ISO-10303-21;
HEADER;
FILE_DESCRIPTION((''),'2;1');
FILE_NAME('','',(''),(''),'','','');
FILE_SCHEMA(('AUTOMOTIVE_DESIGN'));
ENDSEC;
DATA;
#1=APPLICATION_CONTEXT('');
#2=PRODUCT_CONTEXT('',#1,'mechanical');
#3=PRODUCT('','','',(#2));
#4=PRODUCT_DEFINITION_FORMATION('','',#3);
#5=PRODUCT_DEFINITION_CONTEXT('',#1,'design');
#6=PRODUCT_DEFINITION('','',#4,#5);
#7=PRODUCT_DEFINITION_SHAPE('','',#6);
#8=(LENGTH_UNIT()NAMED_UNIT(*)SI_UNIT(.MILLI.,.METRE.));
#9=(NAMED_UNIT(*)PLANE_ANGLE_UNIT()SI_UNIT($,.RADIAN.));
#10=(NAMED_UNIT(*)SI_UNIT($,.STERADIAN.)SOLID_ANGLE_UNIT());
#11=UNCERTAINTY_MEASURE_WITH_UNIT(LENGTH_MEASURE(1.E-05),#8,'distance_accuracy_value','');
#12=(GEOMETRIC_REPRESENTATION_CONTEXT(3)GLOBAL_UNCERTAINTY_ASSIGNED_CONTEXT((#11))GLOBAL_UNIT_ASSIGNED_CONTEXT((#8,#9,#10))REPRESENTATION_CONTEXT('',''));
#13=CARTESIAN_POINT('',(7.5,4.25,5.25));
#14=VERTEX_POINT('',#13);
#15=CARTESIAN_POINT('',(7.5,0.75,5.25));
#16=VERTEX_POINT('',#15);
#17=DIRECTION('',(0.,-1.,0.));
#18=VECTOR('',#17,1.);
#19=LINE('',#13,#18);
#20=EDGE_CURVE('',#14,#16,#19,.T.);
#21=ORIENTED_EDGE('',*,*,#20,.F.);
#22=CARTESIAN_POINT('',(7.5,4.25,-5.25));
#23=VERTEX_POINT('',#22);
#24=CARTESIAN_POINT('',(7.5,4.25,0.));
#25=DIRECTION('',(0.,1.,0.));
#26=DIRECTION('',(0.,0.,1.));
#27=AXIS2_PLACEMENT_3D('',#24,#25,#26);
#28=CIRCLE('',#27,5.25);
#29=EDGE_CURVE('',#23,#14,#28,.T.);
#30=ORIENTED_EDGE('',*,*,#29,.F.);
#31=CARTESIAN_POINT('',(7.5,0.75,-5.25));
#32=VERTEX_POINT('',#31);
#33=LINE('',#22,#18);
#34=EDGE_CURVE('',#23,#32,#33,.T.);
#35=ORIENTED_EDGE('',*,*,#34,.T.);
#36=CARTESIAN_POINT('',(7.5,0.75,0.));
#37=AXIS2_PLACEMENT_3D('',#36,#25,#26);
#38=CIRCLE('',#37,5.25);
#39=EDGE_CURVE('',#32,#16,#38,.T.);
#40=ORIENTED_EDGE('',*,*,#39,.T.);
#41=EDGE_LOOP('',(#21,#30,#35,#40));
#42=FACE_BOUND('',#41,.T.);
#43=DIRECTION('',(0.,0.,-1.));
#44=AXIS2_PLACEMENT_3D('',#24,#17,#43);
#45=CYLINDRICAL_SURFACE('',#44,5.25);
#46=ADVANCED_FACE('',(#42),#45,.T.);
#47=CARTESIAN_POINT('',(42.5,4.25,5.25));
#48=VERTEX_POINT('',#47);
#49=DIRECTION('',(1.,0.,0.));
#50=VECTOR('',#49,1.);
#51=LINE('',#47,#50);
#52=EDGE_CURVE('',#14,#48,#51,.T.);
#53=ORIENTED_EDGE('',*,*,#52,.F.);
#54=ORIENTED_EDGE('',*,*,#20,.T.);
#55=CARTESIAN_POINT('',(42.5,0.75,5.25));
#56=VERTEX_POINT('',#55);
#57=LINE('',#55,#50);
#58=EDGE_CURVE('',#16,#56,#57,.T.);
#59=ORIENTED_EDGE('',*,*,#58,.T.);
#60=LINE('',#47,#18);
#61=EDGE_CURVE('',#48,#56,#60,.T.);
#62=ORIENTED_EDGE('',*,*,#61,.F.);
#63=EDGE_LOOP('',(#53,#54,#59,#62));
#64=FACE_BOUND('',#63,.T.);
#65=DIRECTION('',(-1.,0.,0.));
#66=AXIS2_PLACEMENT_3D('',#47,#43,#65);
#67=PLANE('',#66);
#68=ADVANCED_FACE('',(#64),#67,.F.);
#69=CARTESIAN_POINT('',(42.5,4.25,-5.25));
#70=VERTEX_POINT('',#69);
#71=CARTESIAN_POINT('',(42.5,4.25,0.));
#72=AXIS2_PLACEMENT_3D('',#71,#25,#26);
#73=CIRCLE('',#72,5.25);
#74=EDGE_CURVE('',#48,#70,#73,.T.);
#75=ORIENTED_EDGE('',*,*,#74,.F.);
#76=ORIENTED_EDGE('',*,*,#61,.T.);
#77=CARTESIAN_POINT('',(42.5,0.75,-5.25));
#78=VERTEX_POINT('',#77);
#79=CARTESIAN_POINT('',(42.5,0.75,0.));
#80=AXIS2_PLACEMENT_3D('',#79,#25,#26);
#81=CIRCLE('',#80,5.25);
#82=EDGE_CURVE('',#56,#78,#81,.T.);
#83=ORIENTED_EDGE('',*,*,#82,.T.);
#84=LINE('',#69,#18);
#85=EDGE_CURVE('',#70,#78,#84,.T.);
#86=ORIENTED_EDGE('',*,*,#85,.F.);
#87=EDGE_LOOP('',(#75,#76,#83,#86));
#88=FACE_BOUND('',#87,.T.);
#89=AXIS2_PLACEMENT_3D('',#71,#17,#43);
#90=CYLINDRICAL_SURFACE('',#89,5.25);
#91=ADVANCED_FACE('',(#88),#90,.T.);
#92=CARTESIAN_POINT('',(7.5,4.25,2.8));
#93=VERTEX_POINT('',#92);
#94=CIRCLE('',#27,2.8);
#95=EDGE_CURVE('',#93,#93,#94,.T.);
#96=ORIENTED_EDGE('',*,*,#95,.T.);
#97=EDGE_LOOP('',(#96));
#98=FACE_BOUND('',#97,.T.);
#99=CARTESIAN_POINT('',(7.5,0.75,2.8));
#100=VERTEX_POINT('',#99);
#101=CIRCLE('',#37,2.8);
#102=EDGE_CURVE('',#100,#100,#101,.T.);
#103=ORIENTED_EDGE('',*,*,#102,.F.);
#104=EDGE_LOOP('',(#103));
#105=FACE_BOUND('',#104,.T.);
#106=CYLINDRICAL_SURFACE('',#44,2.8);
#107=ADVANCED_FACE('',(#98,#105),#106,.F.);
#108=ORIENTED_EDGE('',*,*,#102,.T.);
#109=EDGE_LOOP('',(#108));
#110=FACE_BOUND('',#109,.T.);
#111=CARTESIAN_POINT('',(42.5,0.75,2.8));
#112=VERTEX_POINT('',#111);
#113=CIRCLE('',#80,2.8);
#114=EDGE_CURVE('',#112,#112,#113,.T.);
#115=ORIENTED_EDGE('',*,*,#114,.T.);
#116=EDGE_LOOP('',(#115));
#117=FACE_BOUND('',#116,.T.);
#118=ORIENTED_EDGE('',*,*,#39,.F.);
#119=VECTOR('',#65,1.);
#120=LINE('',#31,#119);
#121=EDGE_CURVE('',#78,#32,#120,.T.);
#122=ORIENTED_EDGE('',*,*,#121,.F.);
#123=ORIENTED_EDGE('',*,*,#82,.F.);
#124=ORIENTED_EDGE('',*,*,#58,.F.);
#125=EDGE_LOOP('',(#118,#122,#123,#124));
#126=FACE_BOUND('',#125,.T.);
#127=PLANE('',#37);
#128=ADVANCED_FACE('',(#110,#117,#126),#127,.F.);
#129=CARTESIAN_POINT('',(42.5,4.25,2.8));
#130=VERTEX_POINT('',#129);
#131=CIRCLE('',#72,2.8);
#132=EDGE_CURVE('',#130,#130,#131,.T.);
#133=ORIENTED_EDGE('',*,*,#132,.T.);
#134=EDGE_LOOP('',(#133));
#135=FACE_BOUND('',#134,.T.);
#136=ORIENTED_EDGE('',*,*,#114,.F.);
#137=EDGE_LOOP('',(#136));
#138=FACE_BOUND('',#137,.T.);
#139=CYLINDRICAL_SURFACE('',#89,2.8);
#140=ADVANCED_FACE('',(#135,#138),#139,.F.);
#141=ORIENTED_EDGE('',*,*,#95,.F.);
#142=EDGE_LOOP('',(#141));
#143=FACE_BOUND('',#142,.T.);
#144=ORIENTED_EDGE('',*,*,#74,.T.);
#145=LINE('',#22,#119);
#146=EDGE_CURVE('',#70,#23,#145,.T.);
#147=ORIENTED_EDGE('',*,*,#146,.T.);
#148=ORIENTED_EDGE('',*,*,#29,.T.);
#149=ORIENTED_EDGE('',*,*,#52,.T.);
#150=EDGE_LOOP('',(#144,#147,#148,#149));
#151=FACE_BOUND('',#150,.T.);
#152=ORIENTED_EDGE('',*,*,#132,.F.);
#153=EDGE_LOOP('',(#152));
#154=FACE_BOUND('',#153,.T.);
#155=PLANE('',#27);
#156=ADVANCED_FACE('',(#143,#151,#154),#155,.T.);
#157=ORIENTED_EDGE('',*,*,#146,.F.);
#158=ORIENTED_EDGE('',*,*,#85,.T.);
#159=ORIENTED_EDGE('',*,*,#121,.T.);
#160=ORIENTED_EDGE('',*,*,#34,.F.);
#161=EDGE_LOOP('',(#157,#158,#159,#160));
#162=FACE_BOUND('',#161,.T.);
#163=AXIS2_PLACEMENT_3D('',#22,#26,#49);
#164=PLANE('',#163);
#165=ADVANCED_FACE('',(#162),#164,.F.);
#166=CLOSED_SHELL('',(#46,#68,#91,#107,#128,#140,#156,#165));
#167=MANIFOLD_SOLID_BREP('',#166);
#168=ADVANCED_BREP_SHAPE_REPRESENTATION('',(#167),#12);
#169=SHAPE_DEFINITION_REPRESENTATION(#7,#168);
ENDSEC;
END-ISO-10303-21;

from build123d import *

# Parameters (mm, degrees)
SKETCH1_R           = 4
BOSS_EXTRUDE1_DEPTH = 5
SCALE1_SCALE        = 0.7


with BuildPart() as part:
    # Sketch1 → Boss-Extrude1 (new body)
    with BuildSketch(Plane(origin=(0, 0, 0), x_dir=(1, 0, 0), z_dir=(0, 1, 0))):
        with BuildLine():
            Line((0, 7.5), (50, 7.5))
            ThreePointArc((50, 7.5), (57.5, 0), (50, -7.5))
            Line((50, -7.5), (0, -7.5))
            ThreePointArc((0, -7.5), (-7.5, 0), (0, 7.5))
        make_face()
        with Locations(Location((0, 0, 0), (0, 0, 270))):
            Circle(SKETCH1_R, mode=Mode.SUBTRACT)
        with Locations(Location((50, 0, 0), (0, 0, 270))):
            Circle(SKETCH1_R, mode=Mode.SUBTRACT)
    extrude(amount=BOSS_EXTRUDE1_DEPTH)


with BuildPart() as part_1:
    # Scale1: scaled about (25, 2.5, 0)
    add(part.part.scale(SCALE1_SCALE).moved(Location((7.5, 0.75, 0))))


solid = part_1.part
